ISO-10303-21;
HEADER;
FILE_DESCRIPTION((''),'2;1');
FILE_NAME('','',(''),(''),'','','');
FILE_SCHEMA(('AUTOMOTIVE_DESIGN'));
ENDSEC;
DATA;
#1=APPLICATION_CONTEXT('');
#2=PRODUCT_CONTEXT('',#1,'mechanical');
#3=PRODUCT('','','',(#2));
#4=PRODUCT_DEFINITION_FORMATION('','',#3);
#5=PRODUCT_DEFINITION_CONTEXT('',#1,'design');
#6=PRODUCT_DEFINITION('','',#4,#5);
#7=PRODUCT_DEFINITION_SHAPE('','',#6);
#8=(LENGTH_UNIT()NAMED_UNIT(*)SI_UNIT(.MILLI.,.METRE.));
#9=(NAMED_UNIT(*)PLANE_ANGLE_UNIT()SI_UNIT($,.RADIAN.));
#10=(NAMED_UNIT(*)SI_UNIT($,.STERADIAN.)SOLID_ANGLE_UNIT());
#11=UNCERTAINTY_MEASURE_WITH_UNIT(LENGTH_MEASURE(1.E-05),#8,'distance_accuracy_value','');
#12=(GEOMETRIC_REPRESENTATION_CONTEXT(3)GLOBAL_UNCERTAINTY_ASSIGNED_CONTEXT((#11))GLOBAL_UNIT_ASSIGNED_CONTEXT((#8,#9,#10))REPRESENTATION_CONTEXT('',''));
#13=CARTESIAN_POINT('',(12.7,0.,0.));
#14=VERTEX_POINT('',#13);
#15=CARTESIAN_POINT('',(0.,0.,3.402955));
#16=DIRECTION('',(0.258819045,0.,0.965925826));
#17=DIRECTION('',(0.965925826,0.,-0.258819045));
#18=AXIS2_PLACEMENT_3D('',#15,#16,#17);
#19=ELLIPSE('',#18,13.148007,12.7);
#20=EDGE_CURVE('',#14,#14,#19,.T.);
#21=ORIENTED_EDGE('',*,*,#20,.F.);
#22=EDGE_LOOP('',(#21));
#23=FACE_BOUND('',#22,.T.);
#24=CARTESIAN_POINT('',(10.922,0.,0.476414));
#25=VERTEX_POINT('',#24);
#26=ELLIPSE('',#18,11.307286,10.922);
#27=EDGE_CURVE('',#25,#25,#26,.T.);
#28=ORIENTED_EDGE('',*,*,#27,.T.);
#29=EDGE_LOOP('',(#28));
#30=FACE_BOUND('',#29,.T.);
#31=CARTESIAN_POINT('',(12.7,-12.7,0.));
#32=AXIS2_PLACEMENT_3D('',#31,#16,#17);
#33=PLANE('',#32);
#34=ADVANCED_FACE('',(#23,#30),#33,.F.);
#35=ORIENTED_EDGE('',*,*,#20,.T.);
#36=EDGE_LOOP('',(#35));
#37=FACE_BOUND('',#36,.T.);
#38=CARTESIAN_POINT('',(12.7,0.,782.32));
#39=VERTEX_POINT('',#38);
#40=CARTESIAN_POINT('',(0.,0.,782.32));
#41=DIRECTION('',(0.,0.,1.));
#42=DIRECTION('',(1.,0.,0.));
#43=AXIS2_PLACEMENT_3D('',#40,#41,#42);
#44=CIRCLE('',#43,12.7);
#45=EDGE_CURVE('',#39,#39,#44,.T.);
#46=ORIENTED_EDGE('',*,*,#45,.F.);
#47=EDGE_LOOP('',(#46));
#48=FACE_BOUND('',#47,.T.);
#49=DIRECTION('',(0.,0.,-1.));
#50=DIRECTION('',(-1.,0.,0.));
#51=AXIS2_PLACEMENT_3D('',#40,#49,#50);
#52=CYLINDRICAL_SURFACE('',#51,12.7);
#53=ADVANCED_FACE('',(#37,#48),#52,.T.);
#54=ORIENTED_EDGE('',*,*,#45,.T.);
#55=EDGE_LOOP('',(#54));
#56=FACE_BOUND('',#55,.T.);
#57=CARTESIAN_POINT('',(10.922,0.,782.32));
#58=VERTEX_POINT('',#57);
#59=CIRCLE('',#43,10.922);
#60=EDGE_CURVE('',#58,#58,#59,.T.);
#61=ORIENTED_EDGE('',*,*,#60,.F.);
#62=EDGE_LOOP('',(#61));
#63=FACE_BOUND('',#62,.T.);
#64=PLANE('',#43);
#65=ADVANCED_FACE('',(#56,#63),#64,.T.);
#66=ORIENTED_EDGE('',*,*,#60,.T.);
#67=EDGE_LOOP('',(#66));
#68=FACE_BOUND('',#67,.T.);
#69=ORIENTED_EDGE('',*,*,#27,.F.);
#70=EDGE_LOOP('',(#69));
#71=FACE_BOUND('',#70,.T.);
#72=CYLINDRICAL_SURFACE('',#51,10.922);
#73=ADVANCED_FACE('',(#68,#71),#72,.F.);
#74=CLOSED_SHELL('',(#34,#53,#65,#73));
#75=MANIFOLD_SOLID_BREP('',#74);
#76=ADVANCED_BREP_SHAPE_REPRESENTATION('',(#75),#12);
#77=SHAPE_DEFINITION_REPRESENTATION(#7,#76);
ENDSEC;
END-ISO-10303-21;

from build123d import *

# Parameters (mm, degrees)
SKETCH1_R               = 12.7
SKETCH1_R_2             = 10.922
BOSS_EXTRUDE1_DEPTH     = 782.32
CUT_EXTRUDE1_DEPTH      = 783.526141672
CUT_EXTRUDE1_DEPTH_BACK = 783.526141672


with BuildPart() as part:
    # Sketch1 → Boss-Extrude1 (new body)
    with BuildSketch(Plane.XY):
        Circle(SKETCH1_R)
        Circle(SKETCH1_R_2, mode=Mode.SUBTRACT)
    extrude(amount=BOSS_EXTRUDE1_DEPTH)

    # Sketch3 → Cut-Extrude1 (cut, two sides: drawn at the far end of the back side and taken through both)
    with BuildSketch(Plane(origin=(0, 0, 0), x_dir=(1, 0, 0), z_dir=(0, 1, 0)).offset(-CUT_EXTRUDE1_DEPTH_BACK)):
        Polygon((0, 0), (12.7, 0), (-50.8, -17.014773719), (-50.8, 0), align=None)
    extrude(amount=CUT_EXTRUDE1_DEPTH + CUT_EXTRUDE1_DEPTH_BACK, mode=Mode.SUBTRACT)


solid = part.part
